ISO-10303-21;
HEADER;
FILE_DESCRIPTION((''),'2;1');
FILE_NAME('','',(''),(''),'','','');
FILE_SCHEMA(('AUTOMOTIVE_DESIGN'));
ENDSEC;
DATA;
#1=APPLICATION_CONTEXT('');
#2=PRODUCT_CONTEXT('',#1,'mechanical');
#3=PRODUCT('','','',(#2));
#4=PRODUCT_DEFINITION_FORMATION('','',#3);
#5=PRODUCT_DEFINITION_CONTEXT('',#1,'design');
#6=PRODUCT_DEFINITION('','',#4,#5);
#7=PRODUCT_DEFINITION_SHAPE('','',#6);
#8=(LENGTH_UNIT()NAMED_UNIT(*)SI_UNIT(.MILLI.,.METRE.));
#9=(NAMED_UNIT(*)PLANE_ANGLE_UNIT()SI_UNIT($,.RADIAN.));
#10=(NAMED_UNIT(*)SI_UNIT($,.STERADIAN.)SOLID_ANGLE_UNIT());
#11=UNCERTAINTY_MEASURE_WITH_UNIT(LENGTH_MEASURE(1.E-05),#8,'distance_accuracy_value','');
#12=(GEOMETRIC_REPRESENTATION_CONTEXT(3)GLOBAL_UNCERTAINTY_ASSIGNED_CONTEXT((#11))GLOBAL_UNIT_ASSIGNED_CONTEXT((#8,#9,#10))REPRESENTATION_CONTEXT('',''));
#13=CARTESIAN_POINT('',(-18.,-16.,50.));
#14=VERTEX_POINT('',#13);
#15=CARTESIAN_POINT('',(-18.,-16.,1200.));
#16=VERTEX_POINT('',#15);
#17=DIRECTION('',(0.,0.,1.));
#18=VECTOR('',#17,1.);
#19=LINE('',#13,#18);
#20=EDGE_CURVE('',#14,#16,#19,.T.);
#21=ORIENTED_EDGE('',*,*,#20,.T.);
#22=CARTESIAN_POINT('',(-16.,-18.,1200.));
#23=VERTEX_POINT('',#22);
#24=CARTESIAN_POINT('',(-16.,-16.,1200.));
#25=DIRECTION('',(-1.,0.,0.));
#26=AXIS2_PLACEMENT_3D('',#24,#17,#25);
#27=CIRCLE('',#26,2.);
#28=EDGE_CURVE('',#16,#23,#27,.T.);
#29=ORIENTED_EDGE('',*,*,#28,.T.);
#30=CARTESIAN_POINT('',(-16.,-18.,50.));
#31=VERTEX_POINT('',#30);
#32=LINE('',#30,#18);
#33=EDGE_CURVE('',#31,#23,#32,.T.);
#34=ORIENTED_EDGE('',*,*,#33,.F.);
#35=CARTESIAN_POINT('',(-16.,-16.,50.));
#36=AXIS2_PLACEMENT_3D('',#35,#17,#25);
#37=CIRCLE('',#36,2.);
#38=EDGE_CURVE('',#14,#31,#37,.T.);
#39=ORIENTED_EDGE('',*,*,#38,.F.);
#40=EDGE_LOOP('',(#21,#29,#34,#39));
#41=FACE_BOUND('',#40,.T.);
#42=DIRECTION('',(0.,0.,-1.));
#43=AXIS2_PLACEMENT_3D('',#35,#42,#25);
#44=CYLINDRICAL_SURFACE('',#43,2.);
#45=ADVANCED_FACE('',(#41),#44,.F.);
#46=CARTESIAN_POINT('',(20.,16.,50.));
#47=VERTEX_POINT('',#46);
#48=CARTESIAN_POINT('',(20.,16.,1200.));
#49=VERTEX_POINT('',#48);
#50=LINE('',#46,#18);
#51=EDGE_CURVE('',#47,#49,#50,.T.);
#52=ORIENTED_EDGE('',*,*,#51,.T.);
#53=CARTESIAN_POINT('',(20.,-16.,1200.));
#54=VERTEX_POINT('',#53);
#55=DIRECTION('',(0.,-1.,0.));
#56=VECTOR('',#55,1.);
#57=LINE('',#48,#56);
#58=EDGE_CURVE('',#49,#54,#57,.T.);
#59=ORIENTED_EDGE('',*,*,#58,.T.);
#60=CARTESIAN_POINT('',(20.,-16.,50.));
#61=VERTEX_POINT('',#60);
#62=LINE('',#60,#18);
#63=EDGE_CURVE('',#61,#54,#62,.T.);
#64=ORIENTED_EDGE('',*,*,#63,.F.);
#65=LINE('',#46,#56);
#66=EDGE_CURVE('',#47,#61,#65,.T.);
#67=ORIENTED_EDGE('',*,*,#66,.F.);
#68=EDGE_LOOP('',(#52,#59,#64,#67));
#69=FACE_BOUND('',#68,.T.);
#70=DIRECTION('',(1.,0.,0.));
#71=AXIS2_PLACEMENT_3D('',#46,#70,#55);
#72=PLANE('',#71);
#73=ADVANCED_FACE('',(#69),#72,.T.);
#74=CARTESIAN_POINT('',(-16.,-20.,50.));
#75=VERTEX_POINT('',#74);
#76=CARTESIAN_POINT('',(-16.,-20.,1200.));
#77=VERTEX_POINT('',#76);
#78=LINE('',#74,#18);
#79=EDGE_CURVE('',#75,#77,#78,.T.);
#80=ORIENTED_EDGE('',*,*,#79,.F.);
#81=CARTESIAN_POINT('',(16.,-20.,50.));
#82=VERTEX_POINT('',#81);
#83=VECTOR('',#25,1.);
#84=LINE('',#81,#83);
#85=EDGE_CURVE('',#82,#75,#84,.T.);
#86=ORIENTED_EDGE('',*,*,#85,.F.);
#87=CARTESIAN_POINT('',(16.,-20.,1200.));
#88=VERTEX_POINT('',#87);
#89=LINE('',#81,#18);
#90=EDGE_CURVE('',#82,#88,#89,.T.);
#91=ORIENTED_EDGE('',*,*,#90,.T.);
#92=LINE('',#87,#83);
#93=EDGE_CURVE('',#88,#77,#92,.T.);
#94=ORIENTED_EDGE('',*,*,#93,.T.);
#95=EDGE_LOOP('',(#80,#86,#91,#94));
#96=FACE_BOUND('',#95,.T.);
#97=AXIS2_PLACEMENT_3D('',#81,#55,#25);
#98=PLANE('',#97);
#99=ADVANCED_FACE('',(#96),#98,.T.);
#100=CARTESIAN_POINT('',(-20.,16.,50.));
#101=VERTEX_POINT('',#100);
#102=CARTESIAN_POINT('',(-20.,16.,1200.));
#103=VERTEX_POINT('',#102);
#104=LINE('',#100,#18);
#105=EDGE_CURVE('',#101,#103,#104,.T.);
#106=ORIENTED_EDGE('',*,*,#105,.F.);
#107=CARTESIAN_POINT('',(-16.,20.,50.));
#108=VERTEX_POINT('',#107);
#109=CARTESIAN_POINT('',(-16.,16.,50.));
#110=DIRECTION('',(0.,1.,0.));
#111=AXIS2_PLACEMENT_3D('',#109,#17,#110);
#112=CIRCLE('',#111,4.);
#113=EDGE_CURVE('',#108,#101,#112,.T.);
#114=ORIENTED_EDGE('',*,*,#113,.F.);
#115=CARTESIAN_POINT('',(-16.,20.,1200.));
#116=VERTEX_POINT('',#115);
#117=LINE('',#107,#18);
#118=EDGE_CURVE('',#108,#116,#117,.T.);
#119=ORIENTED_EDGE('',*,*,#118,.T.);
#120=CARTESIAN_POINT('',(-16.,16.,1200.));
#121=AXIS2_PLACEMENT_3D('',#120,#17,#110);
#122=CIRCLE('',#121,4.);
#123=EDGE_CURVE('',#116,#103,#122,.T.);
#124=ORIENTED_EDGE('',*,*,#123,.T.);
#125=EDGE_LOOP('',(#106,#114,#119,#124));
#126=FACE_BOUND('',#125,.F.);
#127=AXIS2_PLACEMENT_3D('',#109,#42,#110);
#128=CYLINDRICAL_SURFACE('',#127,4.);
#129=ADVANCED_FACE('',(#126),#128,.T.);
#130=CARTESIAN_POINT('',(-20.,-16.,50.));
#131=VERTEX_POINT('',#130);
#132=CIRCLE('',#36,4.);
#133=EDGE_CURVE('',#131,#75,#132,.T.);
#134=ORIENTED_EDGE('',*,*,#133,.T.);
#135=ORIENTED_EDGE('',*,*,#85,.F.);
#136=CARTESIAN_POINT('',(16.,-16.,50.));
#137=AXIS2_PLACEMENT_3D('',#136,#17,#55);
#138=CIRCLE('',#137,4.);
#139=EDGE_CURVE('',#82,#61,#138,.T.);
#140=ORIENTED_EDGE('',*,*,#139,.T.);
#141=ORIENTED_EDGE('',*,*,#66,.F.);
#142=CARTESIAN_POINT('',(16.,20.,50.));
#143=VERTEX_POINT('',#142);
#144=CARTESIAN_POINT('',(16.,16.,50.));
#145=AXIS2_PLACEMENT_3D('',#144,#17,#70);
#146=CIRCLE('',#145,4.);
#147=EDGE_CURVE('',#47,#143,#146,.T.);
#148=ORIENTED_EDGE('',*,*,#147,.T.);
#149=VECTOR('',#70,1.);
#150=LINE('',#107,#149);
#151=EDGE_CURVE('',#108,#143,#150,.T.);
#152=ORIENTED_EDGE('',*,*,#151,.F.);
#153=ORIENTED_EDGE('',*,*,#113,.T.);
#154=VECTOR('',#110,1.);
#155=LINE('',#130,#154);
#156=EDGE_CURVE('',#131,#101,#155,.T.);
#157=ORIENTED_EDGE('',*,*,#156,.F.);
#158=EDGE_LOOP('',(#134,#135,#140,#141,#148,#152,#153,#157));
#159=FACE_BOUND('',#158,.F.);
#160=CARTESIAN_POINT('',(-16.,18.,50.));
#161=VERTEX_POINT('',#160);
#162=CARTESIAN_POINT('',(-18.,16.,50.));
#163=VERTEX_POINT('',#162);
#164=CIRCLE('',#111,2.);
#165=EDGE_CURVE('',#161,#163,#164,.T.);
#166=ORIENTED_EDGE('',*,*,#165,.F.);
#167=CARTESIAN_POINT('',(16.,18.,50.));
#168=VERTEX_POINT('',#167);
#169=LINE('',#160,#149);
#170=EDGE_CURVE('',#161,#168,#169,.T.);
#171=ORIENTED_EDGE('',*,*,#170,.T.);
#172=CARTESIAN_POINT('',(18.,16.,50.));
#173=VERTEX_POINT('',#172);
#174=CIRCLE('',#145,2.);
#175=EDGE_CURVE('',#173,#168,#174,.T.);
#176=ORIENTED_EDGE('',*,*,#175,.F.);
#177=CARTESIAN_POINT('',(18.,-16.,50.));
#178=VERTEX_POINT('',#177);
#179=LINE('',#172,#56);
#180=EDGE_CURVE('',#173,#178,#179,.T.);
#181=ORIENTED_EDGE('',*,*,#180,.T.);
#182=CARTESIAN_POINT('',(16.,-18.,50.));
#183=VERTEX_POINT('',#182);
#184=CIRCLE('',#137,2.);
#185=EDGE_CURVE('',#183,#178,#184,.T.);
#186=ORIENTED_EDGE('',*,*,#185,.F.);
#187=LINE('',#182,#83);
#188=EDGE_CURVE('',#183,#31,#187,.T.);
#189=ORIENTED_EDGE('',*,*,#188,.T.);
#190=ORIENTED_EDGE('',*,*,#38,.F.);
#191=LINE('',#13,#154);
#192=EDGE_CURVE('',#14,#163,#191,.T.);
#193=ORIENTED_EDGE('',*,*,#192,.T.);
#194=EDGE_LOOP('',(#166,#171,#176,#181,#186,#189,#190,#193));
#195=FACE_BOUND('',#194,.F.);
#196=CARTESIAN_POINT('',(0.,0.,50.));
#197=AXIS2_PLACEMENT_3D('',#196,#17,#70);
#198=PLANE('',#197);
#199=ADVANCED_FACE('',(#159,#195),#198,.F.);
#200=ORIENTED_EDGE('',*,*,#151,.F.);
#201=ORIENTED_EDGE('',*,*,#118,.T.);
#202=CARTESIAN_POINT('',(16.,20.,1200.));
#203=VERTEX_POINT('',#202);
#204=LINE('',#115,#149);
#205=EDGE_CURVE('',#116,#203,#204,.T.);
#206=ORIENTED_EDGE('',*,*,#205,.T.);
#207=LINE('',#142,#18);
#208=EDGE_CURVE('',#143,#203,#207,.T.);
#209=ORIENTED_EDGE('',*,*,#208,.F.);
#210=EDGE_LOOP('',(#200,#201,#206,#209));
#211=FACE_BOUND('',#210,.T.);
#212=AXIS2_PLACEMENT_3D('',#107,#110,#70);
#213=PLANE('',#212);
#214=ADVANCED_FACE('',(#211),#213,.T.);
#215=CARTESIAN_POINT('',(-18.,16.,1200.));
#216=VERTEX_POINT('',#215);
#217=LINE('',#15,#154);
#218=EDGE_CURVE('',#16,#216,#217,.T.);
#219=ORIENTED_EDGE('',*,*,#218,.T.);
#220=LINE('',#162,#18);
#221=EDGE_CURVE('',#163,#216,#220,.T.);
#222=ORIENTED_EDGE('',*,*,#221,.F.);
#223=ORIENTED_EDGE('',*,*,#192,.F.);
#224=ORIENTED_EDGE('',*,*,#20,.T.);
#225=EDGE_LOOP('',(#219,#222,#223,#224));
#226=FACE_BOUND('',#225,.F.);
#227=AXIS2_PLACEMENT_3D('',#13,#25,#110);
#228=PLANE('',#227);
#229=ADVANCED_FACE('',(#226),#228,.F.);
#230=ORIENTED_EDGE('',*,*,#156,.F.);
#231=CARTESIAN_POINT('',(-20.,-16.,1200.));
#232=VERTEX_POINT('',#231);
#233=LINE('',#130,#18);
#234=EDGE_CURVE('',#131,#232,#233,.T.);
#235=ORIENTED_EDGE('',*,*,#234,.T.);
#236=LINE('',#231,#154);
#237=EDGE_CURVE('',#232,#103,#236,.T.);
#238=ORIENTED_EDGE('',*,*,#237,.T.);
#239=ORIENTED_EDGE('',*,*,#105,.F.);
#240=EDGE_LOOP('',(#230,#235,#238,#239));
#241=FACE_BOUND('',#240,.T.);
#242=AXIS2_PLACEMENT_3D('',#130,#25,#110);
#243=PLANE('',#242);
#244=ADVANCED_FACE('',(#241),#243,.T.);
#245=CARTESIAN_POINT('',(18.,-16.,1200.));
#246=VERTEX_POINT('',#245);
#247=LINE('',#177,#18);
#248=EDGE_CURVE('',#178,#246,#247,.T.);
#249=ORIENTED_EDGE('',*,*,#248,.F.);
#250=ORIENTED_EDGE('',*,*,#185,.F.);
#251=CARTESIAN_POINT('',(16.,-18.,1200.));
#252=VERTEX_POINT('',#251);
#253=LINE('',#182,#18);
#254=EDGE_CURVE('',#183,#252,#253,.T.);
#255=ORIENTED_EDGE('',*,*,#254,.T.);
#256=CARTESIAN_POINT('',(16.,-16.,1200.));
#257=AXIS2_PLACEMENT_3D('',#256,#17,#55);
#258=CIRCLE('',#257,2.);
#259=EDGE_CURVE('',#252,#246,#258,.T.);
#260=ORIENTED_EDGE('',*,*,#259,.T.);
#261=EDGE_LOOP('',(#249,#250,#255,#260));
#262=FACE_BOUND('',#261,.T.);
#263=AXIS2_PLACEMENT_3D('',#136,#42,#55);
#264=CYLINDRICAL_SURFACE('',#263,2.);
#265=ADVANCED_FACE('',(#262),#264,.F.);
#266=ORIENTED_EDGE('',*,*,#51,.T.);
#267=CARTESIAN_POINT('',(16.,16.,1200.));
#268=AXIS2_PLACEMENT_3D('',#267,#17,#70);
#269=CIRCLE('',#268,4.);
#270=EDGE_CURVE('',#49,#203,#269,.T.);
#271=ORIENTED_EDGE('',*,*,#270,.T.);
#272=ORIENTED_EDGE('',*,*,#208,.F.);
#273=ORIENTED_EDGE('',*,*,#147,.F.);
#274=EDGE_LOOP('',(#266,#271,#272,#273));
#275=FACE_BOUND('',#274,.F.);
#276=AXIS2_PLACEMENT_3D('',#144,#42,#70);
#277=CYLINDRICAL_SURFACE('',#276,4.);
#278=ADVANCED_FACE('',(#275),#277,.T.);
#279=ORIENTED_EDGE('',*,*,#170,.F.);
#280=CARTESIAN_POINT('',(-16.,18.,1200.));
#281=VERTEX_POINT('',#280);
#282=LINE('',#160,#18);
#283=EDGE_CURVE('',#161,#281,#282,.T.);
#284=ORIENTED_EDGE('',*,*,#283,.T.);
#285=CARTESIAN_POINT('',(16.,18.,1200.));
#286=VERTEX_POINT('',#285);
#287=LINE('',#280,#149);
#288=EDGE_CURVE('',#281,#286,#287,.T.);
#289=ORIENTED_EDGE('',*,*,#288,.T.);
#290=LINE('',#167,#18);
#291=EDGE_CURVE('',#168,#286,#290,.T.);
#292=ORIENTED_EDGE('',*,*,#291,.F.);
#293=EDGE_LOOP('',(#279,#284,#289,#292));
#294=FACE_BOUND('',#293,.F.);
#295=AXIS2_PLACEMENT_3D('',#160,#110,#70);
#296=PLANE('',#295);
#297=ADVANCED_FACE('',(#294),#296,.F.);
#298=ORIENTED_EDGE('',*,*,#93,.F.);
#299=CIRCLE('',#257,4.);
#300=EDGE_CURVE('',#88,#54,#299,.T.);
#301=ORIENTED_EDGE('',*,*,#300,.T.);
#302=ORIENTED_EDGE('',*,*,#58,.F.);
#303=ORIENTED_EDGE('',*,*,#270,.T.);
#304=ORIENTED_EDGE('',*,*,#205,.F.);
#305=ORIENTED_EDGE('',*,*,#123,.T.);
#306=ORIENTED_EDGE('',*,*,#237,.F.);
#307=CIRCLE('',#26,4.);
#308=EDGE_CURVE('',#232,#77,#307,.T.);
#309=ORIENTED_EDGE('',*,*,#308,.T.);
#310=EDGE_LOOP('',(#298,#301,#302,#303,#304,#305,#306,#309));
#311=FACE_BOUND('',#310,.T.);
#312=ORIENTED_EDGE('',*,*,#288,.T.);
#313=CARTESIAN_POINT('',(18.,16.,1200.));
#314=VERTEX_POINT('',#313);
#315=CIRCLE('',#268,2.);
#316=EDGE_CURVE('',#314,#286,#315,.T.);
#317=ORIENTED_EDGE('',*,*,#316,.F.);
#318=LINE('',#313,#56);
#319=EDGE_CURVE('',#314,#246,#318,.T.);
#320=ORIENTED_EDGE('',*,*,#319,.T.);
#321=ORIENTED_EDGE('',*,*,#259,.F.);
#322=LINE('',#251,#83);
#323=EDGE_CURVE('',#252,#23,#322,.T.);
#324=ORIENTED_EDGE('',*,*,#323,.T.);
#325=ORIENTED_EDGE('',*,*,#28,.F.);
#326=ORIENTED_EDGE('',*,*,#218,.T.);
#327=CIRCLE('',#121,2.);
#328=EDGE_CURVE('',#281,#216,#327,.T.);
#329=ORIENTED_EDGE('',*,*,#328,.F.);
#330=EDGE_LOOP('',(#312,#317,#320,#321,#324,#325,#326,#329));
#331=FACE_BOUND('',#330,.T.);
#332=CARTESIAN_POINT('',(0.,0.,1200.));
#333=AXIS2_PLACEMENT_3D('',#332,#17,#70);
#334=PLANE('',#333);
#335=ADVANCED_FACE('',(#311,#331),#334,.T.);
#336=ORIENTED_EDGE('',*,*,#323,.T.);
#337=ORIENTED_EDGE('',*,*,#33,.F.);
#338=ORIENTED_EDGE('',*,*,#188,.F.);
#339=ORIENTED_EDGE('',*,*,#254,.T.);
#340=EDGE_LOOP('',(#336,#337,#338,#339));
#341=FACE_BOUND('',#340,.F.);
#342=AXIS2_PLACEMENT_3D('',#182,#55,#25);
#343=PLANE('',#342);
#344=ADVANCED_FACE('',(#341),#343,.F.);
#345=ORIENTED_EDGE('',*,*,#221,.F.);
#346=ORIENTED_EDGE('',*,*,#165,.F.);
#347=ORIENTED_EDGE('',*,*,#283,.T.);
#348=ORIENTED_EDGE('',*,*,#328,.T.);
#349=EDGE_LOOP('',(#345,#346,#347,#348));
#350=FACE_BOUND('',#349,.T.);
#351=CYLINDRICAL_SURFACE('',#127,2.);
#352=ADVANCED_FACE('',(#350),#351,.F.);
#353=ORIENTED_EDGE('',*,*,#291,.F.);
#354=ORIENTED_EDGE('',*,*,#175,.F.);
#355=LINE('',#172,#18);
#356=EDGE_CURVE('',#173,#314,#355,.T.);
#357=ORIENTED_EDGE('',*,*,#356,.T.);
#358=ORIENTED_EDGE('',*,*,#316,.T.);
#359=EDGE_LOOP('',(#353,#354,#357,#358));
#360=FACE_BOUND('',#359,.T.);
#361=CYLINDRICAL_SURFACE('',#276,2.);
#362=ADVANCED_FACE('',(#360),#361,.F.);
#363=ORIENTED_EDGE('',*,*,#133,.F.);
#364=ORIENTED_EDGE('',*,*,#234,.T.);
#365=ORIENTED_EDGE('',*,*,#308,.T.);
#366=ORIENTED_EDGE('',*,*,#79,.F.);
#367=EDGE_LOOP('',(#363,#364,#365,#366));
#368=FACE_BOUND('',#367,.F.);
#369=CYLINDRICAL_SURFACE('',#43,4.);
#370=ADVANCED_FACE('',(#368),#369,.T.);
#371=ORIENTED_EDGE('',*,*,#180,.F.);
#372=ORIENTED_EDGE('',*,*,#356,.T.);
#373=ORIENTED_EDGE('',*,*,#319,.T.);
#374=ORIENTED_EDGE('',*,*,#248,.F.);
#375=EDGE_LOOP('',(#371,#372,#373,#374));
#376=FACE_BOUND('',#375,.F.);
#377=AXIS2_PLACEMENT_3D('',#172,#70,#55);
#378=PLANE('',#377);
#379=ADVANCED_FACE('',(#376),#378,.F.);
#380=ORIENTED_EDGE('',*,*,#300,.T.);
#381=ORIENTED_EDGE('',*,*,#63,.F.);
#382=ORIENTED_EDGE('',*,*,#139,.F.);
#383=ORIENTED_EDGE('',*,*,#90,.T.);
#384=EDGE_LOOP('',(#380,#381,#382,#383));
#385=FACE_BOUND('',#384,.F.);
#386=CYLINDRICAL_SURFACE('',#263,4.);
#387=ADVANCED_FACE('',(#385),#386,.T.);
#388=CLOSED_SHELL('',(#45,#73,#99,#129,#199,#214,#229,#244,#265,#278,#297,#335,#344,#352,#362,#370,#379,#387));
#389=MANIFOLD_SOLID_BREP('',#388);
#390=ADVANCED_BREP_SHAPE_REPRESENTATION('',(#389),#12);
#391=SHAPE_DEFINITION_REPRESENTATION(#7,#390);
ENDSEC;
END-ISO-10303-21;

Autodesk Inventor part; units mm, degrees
ref_plane "YZ Plane" through (0, 0, 0) normal (1, 0, 0) x (0, 1, 0)
ref_plane "Start Plane" through (0, 0, 50) normal (0, 0, 1) x (1, 0, 0)
ref_plane "End Plane" through (0, 0, 1200) normal (0, 0, 1) x (1, 0, 0)
sketch "Sketch" plane through (0, 0, 0) normal (0, 0, 1) x (1, 0, 0)
  line L0 (-20, -16) -> (-20, 16)
  line L1 (-16, 20) -> (16, 20)
  line L2 (20, 16) -> (20, -16)
  line L3 (16, -20) -> (-16, -20)
  arc A0 (-20, -16) -> (-16, -20) centre (-16, -16) ccw
  arc A1 (20, 16) -> (16, 20) centre (16, 16) ccw
  arc A2 (-16, 20) -> (-20, 16) centre (-16, 16) ccw
  arc A3 (16, -20) -> (20, -16) centre (16, -16) ccw
  arc A4 (-16, 18) -> (-18, 16) centre (-16, 16) ccw
  line L4 (-16, 18) -> (16, 18)
  arc A5 (18, 16) -> (16, 18) centre (16, 16) ccw
  line L5 (18, 16) -> (18, -16)
  arc A6 (16, -18) -> (18, -16) centre (16, -16) ccw
  line L6 (16, -18) -> (-16, -18)
  arc A7 (-18, -16) -> (-16, -18) centre (-16, -16) ccw
  line L7 (-18, -16) -> (-18, 16)
  line L8 (0, 29.1598) -> (0, -29.1598) construction
  line L9 (-29.1598, 0) -> (29.1598, 0) construction
  dimension "d7" = 4
  dimension "d9" = 40
  dimension "d11" = 40
  dimension "d12" = 2
  dimension "d15" = 20
  dimension "d16" = 20
extrude "Body" add sketch "Sketch" along normal up to surface (1150 mm away) from surface at 50
sketch "Sketch3" plane through (0, 0, 0) normal (0, 0, 1) x (1, 0, 0)
  line L0 (0, 0) -> (10, 0)
ref_plane "Work Plane3" through (0, 0, 0) normal (0, -1, 0) x (1, 0, 0)
sketch "Sketch4" plane through (0, 0, 0) normal (0, -1, 0) x (1, 0, 0)
  line L0 (-2, 50) -> (12, 50) projected
  line L1 (-2, 1200) -> (12, 1200) projected
  dimension "d18" = 1150
equation "\"d7\" = G_IR"
equation "\"d9\" = G_W"
equation "\"d11\" = G_H"
equation "\"d12\" = G_T"
equation "\"d15\" = 0.5 * d9"
equation "\"d16\" = 0.5 * d11"
equation "\"d3\" = G_L"
equation "\"G_W\" = 40"
equation "\"G_H\" = 40"
equation "\"G_T\" = 2"
equation "\"G_IR\" = 4"
equation "\"G_L\" = d18"
properties part number "ISO 10799-2 - 40x40x2 - 1150" material "Steel, Mild"
